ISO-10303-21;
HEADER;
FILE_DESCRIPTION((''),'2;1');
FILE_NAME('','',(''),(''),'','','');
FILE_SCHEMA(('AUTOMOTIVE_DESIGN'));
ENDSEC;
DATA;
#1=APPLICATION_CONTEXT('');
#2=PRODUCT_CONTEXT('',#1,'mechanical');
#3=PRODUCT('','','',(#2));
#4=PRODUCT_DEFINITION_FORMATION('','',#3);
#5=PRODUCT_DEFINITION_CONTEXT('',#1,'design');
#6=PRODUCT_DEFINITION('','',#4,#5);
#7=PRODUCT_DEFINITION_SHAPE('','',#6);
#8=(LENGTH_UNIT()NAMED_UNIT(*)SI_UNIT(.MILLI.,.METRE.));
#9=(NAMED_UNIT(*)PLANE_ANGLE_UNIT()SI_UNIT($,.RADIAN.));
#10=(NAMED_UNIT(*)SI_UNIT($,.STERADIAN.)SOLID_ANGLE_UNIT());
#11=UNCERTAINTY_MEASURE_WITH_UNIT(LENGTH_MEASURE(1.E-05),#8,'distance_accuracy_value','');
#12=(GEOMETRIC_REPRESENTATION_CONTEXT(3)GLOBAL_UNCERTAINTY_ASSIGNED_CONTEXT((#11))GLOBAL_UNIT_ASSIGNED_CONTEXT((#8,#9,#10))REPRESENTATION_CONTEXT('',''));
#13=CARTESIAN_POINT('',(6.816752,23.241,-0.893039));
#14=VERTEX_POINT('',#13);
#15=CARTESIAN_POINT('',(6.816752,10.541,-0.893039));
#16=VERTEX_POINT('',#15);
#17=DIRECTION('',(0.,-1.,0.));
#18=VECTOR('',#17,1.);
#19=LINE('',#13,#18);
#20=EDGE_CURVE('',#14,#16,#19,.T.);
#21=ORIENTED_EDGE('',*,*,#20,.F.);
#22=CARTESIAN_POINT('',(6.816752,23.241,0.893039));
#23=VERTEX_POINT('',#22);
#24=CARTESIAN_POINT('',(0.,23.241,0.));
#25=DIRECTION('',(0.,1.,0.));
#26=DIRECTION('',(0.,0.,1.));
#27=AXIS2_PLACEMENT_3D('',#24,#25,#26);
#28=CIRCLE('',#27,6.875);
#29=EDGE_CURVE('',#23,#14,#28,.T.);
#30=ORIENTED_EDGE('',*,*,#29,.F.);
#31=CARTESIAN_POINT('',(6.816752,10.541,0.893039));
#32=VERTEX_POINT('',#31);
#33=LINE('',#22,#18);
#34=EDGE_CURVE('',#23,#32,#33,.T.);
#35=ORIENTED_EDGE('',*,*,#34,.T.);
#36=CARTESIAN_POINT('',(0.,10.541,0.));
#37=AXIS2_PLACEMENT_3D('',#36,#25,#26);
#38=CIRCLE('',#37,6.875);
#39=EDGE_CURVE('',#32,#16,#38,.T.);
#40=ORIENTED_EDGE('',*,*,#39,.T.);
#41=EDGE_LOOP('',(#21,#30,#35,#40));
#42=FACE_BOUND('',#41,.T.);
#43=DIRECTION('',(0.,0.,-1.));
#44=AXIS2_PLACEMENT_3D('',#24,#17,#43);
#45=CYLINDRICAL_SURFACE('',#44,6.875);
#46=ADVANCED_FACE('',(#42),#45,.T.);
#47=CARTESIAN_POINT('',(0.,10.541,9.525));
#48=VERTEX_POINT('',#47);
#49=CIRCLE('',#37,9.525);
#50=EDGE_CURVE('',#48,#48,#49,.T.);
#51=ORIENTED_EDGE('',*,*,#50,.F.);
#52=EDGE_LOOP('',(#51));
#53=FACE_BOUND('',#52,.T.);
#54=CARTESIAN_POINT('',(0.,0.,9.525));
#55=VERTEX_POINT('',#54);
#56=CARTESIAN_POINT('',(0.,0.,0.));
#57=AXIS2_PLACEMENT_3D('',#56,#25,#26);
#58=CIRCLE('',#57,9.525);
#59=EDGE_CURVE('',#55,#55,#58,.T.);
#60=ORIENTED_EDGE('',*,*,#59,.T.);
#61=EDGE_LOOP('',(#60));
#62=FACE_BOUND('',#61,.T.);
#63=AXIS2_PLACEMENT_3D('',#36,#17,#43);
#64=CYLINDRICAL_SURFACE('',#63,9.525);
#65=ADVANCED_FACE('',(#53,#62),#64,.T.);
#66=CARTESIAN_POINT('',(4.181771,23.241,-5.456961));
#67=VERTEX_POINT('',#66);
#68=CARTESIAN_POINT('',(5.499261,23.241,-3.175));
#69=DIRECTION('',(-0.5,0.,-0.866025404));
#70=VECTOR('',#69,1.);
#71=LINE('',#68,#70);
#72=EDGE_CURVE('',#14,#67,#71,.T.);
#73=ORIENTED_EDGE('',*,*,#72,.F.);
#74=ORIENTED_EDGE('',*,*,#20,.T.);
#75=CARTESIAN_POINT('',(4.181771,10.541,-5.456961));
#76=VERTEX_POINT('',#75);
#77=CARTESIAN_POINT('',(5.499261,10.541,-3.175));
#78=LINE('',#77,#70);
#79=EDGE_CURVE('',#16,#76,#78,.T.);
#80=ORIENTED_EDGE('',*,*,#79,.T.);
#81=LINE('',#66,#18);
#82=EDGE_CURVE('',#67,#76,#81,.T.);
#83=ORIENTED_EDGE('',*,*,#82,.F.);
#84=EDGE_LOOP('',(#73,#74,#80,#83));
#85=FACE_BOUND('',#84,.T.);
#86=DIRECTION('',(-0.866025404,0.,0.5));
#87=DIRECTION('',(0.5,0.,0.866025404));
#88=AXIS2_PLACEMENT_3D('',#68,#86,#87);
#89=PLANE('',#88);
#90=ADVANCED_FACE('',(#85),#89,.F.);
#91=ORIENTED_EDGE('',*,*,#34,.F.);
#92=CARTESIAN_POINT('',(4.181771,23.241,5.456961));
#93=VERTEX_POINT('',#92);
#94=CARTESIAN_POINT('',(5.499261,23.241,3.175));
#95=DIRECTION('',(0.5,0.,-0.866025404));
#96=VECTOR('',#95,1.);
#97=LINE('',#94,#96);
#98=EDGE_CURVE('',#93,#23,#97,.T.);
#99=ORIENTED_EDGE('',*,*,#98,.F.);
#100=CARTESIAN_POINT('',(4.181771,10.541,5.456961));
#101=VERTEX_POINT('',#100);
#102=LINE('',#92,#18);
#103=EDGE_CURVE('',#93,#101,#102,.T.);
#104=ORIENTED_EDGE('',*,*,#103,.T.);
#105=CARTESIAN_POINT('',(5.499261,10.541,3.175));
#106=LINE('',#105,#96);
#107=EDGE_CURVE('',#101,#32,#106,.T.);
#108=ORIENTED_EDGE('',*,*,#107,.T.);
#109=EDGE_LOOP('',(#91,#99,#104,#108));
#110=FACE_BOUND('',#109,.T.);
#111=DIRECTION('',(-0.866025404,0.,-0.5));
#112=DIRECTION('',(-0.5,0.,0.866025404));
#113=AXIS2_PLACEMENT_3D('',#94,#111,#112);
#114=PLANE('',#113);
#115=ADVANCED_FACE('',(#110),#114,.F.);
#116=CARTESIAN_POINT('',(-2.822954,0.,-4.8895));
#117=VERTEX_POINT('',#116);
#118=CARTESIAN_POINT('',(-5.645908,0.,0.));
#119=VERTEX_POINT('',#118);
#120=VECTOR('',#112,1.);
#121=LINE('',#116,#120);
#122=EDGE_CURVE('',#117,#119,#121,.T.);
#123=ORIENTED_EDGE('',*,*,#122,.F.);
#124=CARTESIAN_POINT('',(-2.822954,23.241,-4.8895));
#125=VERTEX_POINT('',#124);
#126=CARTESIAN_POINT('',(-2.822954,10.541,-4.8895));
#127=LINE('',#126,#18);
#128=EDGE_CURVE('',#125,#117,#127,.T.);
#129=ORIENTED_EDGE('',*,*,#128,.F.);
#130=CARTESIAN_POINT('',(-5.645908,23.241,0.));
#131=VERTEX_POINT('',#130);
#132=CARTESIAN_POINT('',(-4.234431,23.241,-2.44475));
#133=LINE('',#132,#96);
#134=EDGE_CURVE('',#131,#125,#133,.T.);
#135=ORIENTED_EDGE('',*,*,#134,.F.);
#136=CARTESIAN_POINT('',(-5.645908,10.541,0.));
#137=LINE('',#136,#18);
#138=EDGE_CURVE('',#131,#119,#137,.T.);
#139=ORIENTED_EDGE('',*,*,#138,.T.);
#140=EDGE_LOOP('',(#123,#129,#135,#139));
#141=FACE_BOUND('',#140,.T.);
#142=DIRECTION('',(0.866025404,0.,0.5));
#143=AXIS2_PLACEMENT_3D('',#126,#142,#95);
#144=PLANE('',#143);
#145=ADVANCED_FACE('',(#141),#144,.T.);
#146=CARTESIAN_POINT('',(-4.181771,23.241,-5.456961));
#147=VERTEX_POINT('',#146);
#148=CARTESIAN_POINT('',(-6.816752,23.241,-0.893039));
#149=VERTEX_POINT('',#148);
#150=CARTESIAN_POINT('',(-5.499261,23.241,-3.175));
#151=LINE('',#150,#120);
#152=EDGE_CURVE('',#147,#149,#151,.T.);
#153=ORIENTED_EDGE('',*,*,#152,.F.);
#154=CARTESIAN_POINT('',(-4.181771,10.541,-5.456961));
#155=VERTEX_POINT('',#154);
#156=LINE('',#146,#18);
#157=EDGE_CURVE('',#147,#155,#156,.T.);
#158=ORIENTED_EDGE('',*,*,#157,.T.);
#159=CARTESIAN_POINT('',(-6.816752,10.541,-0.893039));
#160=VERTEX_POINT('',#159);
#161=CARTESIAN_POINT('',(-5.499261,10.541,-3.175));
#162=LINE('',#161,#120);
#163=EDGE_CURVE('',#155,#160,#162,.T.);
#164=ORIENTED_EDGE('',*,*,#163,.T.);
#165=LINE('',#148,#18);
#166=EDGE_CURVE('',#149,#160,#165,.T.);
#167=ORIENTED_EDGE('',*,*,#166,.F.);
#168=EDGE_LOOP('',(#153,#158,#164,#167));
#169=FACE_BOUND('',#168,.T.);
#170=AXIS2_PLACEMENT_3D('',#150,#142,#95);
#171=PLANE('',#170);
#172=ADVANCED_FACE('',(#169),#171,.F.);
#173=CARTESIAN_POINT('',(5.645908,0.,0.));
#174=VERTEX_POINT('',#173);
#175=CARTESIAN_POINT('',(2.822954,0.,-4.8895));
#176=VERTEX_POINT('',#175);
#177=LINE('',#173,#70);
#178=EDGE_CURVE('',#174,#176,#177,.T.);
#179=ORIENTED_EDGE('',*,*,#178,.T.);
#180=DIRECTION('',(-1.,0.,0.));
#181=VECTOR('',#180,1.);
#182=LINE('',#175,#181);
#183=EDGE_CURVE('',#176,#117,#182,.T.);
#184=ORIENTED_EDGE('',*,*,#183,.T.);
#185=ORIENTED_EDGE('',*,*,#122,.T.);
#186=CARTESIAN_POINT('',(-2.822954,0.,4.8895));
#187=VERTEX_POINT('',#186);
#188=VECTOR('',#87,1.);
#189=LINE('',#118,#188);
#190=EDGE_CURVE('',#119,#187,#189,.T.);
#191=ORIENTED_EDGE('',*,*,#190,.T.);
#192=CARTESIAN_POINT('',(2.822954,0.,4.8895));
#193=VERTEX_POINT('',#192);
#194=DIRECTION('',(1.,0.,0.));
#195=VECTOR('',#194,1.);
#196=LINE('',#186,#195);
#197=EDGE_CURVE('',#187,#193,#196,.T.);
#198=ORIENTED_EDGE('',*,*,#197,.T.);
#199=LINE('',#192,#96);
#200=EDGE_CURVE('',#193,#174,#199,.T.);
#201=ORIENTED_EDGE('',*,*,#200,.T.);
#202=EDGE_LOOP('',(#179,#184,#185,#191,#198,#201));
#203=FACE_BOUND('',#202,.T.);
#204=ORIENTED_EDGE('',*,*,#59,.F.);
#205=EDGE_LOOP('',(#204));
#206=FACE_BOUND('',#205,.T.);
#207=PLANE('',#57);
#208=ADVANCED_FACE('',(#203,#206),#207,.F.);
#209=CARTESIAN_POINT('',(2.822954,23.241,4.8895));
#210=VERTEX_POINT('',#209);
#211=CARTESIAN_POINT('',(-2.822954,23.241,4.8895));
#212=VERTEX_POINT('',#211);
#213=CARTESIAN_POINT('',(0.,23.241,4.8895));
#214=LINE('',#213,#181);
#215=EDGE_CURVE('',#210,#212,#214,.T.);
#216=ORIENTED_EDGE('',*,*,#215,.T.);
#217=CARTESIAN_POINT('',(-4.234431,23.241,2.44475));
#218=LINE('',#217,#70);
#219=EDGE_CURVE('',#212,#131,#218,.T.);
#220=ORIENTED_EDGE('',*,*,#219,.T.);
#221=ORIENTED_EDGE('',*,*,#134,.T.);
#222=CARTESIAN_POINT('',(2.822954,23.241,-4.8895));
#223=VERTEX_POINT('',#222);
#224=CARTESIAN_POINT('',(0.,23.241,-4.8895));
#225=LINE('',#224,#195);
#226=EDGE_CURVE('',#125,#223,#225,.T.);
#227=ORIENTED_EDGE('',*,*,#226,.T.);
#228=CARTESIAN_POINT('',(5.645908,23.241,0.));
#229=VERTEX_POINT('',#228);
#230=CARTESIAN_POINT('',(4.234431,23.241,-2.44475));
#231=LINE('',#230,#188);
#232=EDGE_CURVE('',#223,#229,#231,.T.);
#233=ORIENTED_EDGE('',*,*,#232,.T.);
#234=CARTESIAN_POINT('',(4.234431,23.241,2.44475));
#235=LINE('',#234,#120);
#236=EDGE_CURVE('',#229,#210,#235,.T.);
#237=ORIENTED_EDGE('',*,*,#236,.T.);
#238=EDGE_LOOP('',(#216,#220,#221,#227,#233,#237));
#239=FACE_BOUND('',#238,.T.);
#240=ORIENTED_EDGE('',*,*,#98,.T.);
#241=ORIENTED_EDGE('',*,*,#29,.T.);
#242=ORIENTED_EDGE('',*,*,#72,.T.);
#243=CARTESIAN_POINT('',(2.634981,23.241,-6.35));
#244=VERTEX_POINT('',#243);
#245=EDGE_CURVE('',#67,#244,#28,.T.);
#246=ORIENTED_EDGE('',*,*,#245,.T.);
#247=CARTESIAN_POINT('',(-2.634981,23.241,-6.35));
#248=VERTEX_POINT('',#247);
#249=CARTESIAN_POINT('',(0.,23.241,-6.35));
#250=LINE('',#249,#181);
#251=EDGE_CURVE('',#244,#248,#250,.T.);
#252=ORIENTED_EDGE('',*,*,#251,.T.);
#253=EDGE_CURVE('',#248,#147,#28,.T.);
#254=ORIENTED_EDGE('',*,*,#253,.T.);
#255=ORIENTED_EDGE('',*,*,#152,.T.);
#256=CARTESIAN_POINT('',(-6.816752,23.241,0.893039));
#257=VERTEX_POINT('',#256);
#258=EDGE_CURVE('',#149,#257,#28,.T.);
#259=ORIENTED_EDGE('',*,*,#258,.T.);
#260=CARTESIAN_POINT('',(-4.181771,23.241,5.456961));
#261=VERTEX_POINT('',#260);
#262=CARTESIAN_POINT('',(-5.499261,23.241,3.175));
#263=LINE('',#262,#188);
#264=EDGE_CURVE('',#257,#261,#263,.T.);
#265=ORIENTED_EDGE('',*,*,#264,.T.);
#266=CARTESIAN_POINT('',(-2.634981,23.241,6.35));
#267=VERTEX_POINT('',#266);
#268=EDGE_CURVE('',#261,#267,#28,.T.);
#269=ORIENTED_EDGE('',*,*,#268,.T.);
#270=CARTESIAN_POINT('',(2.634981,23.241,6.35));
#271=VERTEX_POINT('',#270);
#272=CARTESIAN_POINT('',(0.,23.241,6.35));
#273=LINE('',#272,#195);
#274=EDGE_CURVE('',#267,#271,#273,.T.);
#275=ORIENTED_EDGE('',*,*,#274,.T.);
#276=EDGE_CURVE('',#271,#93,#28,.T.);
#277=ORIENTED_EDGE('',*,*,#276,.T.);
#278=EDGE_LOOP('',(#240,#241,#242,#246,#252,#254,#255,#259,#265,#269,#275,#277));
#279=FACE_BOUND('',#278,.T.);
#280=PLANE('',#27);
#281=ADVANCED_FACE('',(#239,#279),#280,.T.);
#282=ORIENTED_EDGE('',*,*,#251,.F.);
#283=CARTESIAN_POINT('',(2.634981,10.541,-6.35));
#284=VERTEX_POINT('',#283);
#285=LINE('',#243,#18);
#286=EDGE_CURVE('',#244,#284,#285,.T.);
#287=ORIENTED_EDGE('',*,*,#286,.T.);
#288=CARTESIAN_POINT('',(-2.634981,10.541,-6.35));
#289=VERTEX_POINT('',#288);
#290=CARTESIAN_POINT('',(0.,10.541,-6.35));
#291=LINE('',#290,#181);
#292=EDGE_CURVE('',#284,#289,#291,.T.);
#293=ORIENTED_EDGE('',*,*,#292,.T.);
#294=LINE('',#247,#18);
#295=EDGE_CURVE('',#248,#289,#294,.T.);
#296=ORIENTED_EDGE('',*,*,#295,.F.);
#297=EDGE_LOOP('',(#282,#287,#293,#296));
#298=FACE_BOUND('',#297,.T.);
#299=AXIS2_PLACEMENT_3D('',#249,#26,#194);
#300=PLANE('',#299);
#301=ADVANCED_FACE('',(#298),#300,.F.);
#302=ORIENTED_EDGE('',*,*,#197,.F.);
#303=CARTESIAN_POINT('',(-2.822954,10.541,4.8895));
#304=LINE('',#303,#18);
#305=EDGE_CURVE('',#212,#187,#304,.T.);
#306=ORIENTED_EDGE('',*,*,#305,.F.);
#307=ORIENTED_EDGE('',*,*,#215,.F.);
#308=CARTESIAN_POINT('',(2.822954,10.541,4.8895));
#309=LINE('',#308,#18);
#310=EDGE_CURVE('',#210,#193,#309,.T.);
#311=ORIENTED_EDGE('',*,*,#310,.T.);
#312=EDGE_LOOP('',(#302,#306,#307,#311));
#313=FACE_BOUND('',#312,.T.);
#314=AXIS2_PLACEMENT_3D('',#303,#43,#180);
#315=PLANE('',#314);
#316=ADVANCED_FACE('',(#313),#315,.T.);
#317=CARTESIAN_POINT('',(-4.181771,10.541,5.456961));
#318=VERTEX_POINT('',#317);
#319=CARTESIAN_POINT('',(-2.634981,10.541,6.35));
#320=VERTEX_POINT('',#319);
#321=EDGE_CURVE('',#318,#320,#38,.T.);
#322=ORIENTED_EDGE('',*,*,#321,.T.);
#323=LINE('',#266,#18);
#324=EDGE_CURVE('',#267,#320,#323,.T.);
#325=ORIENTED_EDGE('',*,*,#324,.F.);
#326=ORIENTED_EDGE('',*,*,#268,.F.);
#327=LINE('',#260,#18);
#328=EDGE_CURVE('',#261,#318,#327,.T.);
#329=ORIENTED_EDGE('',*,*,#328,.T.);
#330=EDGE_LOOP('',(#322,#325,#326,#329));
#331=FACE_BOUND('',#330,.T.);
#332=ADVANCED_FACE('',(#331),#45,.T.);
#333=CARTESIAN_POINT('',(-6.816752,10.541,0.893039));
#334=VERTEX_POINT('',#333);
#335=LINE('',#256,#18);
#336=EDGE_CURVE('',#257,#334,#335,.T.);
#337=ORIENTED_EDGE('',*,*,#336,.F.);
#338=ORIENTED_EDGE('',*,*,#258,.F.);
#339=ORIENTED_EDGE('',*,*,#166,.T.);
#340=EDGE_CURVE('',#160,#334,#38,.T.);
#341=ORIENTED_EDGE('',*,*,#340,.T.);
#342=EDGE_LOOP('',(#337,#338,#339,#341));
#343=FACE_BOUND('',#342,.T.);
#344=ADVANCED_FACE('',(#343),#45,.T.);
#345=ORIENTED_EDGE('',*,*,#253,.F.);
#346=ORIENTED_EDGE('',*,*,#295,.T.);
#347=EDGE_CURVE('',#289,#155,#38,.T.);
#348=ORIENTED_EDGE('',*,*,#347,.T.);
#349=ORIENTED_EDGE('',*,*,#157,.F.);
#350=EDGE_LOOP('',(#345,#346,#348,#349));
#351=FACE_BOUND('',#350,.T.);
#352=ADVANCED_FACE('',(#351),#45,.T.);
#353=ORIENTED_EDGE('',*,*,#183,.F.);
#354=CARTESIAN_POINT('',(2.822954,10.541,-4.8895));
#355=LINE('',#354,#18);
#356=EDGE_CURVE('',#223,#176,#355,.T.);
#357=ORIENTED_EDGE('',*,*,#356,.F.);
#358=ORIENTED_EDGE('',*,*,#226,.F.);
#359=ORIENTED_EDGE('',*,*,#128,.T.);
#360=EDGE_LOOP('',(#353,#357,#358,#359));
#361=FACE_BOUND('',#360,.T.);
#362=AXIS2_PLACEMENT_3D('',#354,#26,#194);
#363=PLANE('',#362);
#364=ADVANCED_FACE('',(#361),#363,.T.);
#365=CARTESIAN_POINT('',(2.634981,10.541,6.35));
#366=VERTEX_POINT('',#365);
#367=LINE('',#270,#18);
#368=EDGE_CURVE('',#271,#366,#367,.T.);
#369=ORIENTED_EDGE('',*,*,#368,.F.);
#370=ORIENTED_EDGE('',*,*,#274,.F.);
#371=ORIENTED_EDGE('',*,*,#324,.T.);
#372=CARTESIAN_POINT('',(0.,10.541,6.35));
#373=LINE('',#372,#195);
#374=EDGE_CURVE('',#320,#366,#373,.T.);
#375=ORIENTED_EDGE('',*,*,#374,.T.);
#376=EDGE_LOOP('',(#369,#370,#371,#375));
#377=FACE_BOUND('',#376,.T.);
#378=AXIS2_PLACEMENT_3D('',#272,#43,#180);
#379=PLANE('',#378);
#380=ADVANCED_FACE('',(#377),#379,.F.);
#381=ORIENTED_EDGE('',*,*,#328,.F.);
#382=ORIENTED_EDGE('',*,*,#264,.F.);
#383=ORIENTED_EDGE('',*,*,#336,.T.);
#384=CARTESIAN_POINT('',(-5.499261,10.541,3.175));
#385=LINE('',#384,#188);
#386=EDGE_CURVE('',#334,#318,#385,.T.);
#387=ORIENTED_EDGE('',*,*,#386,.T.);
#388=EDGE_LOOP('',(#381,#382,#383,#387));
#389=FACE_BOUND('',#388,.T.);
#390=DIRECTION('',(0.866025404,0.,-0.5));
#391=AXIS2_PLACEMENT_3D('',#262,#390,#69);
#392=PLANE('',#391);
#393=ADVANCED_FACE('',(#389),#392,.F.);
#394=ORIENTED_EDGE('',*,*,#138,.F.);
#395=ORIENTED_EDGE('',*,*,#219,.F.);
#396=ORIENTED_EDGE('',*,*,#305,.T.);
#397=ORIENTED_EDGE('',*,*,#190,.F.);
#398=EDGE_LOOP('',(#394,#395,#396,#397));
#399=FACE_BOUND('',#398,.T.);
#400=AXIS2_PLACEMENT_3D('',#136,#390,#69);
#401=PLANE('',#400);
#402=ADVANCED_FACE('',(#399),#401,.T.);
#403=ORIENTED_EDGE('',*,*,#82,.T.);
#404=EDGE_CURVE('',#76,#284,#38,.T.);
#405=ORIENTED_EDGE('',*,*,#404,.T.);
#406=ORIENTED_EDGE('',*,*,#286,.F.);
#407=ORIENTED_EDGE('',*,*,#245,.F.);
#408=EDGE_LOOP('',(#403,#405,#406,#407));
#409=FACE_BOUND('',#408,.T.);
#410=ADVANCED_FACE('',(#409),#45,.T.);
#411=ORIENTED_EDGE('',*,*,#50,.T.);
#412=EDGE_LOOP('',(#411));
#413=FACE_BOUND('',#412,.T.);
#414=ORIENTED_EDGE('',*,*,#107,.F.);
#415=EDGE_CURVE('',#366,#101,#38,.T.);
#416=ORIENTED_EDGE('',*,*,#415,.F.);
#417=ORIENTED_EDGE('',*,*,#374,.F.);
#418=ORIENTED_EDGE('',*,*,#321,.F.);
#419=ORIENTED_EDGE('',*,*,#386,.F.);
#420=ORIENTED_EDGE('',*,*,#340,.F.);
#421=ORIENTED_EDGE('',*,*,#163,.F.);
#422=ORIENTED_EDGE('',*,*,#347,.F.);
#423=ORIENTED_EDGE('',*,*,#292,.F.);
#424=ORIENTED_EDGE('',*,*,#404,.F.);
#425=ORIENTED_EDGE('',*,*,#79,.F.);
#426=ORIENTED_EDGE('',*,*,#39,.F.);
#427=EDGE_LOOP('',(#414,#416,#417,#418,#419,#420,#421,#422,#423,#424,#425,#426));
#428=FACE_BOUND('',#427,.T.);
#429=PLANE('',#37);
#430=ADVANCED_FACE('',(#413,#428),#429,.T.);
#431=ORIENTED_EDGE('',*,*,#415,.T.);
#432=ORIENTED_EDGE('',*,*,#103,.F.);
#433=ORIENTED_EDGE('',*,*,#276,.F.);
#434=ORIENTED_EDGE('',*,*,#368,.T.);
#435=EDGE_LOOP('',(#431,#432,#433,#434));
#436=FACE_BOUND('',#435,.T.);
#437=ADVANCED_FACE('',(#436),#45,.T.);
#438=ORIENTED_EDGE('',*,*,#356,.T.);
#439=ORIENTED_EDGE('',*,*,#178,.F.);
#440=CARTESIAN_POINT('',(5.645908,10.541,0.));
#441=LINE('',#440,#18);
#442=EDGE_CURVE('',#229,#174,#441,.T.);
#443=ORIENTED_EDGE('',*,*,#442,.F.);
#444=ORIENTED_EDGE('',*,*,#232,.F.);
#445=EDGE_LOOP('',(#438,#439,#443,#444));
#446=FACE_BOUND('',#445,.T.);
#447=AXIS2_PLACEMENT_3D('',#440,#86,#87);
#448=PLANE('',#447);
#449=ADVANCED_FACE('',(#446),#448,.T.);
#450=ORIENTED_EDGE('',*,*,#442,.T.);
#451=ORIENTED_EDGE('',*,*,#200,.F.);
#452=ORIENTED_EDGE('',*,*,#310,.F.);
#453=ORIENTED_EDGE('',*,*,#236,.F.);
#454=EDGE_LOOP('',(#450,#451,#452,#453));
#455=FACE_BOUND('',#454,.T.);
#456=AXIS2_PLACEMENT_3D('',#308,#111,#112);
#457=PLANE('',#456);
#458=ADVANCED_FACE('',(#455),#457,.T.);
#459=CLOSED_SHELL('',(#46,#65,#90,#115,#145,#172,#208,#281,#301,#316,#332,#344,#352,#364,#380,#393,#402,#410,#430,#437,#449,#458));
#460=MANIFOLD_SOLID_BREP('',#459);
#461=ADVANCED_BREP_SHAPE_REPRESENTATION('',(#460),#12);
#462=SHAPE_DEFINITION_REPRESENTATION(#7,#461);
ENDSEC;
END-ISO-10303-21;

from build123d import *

# Parameters (mm, degrees)
SKETCH1_R           = 9.525
BOSS_EXTRUDE1_DEPTH = 10.541
BOSS_EXTRUDE2_DEPTH = 12.7


with BuildPart() as part:
    # Sketch1 → Boss-Extrude1 (new body)
    with BuildSketch(Plane(origin=(0, 0, 0), x_dir=(1, 0, 0), z_dir=(0, 1, 0))):
        with Locations(Location((0, 0, 0), (0, 0, 270))):
            Circle(SKETCH1_R)
        Polygon((5.645908282, 0), (2.822954141, 4.8895), (-2.822954141, 4.8895), (-5.645908282, 0), (-2.822954141, -4.8895), (2.822954141, -4.8895), align=None, mode=Mode.SUBTRACT)
    extrude(amount=BOSS_EXTRUDE1_DEPTH)

    # Sketch2 → Boss-Extrude2 (add)
    with BuildSketch(Plane(origin=(0, 10.541, 0), x_dir=(1, 0, 0), z_dir=(0, 1, 0))):
        with BuildLine():
            Line((4.181770802, -5.456960506), (6.816751826, -0.893039494))
            ThreePointArc((6.816751826, -0.893039494), (6.875, 0), (6.816751826, 0.893039494))
            Line((6.816751826, 0.893039494), (4.181770802, 5.456960506))
            ThreePointArc((4.181770802, 5.456960506), (3.4375, 5.953924651), (2.634981025, 6.35))
            Line((2.634981025, 6.35), (-2.634981025, 6.35))
            ThreePointArc((-2.634981025, 6.35), (-3.4375, 5.953924651), (-4.181770802, 5.456960506))
            Line((-4.181770802, 5.456960506), (-6.816751826, 0.893039494))
            ThreePointArc((-6.816751826, 0.893039494), (-6.875, 0), (-6.816751826, -0.893039494))
            Line((-6.816751826, -0.893039494), (-4.181770802, -5.456960506))
            ThreePointArc((-4.181770802, -5.456960506), (-3.4375, -5.953924651), (-2.634981025, -6.35))
            Line((-2.634981025, -6.35), (2.634981025, -6.35))
            ThreePointArc((2.634981025, -6.35), (3.4375, -5.953924651), (4.181770802, -5.456960506))
        make_face()
        Polygon((-2.822954141, 4.8895), (2.822954141, 4.8895), (5.645908282, 0), (2.822954141, -4.8895), (-2.822954141, -4.8895), (-5.645908282, 0), align=None, mode=Mode.SUBTRACT)
    extrude(amount=BOSS_EXTRUDE2_DEPTH)


solid = part.part
